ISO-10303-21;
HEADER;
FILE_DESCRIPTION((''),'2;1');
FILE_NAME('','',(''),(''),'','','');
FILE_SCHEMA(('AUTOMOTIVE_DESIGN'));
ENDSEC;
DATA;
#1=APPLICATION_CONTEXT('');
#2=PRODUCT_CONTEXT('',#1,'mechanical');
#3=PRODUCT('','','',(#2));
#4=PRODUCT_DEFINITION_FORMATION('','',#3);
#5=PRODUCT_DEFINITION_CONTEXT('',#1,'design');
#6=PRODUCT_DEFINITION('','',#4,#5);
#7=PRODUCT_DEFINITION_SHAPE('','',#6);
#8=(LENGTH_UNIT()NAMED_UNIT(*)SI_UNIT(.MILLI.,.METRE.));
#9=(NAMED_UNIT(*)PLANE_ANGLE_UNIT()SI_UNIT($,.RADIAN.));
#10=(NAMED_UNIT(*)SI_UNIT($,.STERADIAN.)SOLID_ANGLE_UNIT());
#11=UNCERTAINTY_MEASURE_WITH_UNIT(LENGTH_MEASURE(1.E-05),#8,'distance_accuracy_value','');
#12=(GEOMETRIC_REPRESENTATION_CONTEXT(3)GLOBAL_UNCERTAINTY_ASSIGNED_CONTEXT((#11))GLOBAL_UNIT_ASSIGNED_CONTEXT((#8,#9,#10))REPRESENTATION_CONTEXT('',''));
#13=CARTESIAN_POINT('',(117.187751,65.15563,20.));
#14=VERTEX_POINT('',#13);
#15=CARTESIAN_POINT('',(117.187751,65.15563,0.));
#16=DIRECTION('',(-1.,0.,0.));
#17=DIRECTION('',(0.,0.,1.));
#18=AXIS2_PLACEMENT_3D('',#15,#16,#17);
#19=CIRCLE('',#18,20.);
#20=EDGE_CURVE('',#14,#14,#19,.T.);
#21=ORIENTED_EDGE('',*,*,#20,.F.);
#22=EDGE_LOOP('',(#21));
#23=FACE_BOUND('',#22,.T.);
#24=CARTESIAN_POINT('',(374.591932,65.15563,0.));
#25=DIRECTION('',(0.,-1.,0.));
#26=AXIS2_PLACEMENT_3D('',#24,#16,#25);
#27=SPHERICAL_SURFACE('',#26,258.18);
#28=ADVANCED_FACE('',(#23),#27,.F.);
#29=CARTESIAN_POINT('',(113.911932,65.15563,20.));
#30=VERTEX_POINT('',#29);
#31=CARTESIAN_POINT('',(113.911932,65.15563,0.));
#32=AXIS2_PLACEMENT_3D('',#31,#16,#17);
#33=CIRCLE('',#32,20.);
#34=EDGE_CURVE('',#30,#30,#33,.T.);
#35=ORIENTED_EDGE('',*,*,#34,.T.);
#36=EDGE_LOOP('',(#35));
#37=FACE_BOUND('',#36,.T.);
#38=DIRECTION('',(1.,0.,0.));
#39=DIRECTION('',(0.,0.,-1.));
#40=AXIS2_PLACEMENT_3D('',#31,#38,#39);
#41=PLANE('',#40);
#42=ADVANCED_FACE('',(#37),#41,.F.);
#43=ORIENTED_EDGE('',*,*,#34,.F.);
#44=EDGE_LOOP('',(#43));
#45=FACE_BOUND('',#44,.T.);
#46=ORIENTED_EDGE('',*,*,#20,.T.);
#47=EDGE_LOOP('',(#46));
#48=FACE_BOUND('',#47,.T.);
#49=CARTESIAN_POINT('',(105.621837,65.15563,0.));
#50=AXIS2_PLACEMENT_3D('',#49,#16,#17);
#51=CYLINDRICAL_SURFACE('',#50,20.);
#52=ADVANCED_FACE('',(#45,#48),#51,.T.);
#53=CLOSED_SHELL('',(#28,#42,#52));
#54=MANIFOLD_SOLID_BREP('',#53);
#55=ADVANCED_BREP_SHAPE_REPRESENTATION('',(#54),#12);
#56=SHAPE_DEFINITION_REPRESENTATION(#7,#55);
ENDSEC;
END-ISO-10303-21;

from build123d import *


with BuildPart() as part:
    # 草图1 → 旋转1 (revolve)
    with BuildSketch(Plane.XY, mode=Mode.PRIVATE) as revolve_1_sk:
        with BuildLine():
            Line((113.911931674, 65.155630457), (113.911931674, 85.155630457))
            Line((113.911931674, 85.155630457), (117.187750667, 85.155630457))
            ThreePointArc((117.187750667, 85.155630457), (116.60595933, 75.163151318), (116.411931674, 65.155630457))
            Line((116.411931674, 65.155630457), (113.911931674, 65.155630457))
        make_face()
    revolve(revolve_1_sk.sketch.rotate(Axis((105.621837124, 65.155630457, 0), (1, 0, 0)), 180), axis=Axis((105.621837124, 65.155630457, 0), (1, 0, 0)))  # turned: the seam where the file's is


solid = part.part
